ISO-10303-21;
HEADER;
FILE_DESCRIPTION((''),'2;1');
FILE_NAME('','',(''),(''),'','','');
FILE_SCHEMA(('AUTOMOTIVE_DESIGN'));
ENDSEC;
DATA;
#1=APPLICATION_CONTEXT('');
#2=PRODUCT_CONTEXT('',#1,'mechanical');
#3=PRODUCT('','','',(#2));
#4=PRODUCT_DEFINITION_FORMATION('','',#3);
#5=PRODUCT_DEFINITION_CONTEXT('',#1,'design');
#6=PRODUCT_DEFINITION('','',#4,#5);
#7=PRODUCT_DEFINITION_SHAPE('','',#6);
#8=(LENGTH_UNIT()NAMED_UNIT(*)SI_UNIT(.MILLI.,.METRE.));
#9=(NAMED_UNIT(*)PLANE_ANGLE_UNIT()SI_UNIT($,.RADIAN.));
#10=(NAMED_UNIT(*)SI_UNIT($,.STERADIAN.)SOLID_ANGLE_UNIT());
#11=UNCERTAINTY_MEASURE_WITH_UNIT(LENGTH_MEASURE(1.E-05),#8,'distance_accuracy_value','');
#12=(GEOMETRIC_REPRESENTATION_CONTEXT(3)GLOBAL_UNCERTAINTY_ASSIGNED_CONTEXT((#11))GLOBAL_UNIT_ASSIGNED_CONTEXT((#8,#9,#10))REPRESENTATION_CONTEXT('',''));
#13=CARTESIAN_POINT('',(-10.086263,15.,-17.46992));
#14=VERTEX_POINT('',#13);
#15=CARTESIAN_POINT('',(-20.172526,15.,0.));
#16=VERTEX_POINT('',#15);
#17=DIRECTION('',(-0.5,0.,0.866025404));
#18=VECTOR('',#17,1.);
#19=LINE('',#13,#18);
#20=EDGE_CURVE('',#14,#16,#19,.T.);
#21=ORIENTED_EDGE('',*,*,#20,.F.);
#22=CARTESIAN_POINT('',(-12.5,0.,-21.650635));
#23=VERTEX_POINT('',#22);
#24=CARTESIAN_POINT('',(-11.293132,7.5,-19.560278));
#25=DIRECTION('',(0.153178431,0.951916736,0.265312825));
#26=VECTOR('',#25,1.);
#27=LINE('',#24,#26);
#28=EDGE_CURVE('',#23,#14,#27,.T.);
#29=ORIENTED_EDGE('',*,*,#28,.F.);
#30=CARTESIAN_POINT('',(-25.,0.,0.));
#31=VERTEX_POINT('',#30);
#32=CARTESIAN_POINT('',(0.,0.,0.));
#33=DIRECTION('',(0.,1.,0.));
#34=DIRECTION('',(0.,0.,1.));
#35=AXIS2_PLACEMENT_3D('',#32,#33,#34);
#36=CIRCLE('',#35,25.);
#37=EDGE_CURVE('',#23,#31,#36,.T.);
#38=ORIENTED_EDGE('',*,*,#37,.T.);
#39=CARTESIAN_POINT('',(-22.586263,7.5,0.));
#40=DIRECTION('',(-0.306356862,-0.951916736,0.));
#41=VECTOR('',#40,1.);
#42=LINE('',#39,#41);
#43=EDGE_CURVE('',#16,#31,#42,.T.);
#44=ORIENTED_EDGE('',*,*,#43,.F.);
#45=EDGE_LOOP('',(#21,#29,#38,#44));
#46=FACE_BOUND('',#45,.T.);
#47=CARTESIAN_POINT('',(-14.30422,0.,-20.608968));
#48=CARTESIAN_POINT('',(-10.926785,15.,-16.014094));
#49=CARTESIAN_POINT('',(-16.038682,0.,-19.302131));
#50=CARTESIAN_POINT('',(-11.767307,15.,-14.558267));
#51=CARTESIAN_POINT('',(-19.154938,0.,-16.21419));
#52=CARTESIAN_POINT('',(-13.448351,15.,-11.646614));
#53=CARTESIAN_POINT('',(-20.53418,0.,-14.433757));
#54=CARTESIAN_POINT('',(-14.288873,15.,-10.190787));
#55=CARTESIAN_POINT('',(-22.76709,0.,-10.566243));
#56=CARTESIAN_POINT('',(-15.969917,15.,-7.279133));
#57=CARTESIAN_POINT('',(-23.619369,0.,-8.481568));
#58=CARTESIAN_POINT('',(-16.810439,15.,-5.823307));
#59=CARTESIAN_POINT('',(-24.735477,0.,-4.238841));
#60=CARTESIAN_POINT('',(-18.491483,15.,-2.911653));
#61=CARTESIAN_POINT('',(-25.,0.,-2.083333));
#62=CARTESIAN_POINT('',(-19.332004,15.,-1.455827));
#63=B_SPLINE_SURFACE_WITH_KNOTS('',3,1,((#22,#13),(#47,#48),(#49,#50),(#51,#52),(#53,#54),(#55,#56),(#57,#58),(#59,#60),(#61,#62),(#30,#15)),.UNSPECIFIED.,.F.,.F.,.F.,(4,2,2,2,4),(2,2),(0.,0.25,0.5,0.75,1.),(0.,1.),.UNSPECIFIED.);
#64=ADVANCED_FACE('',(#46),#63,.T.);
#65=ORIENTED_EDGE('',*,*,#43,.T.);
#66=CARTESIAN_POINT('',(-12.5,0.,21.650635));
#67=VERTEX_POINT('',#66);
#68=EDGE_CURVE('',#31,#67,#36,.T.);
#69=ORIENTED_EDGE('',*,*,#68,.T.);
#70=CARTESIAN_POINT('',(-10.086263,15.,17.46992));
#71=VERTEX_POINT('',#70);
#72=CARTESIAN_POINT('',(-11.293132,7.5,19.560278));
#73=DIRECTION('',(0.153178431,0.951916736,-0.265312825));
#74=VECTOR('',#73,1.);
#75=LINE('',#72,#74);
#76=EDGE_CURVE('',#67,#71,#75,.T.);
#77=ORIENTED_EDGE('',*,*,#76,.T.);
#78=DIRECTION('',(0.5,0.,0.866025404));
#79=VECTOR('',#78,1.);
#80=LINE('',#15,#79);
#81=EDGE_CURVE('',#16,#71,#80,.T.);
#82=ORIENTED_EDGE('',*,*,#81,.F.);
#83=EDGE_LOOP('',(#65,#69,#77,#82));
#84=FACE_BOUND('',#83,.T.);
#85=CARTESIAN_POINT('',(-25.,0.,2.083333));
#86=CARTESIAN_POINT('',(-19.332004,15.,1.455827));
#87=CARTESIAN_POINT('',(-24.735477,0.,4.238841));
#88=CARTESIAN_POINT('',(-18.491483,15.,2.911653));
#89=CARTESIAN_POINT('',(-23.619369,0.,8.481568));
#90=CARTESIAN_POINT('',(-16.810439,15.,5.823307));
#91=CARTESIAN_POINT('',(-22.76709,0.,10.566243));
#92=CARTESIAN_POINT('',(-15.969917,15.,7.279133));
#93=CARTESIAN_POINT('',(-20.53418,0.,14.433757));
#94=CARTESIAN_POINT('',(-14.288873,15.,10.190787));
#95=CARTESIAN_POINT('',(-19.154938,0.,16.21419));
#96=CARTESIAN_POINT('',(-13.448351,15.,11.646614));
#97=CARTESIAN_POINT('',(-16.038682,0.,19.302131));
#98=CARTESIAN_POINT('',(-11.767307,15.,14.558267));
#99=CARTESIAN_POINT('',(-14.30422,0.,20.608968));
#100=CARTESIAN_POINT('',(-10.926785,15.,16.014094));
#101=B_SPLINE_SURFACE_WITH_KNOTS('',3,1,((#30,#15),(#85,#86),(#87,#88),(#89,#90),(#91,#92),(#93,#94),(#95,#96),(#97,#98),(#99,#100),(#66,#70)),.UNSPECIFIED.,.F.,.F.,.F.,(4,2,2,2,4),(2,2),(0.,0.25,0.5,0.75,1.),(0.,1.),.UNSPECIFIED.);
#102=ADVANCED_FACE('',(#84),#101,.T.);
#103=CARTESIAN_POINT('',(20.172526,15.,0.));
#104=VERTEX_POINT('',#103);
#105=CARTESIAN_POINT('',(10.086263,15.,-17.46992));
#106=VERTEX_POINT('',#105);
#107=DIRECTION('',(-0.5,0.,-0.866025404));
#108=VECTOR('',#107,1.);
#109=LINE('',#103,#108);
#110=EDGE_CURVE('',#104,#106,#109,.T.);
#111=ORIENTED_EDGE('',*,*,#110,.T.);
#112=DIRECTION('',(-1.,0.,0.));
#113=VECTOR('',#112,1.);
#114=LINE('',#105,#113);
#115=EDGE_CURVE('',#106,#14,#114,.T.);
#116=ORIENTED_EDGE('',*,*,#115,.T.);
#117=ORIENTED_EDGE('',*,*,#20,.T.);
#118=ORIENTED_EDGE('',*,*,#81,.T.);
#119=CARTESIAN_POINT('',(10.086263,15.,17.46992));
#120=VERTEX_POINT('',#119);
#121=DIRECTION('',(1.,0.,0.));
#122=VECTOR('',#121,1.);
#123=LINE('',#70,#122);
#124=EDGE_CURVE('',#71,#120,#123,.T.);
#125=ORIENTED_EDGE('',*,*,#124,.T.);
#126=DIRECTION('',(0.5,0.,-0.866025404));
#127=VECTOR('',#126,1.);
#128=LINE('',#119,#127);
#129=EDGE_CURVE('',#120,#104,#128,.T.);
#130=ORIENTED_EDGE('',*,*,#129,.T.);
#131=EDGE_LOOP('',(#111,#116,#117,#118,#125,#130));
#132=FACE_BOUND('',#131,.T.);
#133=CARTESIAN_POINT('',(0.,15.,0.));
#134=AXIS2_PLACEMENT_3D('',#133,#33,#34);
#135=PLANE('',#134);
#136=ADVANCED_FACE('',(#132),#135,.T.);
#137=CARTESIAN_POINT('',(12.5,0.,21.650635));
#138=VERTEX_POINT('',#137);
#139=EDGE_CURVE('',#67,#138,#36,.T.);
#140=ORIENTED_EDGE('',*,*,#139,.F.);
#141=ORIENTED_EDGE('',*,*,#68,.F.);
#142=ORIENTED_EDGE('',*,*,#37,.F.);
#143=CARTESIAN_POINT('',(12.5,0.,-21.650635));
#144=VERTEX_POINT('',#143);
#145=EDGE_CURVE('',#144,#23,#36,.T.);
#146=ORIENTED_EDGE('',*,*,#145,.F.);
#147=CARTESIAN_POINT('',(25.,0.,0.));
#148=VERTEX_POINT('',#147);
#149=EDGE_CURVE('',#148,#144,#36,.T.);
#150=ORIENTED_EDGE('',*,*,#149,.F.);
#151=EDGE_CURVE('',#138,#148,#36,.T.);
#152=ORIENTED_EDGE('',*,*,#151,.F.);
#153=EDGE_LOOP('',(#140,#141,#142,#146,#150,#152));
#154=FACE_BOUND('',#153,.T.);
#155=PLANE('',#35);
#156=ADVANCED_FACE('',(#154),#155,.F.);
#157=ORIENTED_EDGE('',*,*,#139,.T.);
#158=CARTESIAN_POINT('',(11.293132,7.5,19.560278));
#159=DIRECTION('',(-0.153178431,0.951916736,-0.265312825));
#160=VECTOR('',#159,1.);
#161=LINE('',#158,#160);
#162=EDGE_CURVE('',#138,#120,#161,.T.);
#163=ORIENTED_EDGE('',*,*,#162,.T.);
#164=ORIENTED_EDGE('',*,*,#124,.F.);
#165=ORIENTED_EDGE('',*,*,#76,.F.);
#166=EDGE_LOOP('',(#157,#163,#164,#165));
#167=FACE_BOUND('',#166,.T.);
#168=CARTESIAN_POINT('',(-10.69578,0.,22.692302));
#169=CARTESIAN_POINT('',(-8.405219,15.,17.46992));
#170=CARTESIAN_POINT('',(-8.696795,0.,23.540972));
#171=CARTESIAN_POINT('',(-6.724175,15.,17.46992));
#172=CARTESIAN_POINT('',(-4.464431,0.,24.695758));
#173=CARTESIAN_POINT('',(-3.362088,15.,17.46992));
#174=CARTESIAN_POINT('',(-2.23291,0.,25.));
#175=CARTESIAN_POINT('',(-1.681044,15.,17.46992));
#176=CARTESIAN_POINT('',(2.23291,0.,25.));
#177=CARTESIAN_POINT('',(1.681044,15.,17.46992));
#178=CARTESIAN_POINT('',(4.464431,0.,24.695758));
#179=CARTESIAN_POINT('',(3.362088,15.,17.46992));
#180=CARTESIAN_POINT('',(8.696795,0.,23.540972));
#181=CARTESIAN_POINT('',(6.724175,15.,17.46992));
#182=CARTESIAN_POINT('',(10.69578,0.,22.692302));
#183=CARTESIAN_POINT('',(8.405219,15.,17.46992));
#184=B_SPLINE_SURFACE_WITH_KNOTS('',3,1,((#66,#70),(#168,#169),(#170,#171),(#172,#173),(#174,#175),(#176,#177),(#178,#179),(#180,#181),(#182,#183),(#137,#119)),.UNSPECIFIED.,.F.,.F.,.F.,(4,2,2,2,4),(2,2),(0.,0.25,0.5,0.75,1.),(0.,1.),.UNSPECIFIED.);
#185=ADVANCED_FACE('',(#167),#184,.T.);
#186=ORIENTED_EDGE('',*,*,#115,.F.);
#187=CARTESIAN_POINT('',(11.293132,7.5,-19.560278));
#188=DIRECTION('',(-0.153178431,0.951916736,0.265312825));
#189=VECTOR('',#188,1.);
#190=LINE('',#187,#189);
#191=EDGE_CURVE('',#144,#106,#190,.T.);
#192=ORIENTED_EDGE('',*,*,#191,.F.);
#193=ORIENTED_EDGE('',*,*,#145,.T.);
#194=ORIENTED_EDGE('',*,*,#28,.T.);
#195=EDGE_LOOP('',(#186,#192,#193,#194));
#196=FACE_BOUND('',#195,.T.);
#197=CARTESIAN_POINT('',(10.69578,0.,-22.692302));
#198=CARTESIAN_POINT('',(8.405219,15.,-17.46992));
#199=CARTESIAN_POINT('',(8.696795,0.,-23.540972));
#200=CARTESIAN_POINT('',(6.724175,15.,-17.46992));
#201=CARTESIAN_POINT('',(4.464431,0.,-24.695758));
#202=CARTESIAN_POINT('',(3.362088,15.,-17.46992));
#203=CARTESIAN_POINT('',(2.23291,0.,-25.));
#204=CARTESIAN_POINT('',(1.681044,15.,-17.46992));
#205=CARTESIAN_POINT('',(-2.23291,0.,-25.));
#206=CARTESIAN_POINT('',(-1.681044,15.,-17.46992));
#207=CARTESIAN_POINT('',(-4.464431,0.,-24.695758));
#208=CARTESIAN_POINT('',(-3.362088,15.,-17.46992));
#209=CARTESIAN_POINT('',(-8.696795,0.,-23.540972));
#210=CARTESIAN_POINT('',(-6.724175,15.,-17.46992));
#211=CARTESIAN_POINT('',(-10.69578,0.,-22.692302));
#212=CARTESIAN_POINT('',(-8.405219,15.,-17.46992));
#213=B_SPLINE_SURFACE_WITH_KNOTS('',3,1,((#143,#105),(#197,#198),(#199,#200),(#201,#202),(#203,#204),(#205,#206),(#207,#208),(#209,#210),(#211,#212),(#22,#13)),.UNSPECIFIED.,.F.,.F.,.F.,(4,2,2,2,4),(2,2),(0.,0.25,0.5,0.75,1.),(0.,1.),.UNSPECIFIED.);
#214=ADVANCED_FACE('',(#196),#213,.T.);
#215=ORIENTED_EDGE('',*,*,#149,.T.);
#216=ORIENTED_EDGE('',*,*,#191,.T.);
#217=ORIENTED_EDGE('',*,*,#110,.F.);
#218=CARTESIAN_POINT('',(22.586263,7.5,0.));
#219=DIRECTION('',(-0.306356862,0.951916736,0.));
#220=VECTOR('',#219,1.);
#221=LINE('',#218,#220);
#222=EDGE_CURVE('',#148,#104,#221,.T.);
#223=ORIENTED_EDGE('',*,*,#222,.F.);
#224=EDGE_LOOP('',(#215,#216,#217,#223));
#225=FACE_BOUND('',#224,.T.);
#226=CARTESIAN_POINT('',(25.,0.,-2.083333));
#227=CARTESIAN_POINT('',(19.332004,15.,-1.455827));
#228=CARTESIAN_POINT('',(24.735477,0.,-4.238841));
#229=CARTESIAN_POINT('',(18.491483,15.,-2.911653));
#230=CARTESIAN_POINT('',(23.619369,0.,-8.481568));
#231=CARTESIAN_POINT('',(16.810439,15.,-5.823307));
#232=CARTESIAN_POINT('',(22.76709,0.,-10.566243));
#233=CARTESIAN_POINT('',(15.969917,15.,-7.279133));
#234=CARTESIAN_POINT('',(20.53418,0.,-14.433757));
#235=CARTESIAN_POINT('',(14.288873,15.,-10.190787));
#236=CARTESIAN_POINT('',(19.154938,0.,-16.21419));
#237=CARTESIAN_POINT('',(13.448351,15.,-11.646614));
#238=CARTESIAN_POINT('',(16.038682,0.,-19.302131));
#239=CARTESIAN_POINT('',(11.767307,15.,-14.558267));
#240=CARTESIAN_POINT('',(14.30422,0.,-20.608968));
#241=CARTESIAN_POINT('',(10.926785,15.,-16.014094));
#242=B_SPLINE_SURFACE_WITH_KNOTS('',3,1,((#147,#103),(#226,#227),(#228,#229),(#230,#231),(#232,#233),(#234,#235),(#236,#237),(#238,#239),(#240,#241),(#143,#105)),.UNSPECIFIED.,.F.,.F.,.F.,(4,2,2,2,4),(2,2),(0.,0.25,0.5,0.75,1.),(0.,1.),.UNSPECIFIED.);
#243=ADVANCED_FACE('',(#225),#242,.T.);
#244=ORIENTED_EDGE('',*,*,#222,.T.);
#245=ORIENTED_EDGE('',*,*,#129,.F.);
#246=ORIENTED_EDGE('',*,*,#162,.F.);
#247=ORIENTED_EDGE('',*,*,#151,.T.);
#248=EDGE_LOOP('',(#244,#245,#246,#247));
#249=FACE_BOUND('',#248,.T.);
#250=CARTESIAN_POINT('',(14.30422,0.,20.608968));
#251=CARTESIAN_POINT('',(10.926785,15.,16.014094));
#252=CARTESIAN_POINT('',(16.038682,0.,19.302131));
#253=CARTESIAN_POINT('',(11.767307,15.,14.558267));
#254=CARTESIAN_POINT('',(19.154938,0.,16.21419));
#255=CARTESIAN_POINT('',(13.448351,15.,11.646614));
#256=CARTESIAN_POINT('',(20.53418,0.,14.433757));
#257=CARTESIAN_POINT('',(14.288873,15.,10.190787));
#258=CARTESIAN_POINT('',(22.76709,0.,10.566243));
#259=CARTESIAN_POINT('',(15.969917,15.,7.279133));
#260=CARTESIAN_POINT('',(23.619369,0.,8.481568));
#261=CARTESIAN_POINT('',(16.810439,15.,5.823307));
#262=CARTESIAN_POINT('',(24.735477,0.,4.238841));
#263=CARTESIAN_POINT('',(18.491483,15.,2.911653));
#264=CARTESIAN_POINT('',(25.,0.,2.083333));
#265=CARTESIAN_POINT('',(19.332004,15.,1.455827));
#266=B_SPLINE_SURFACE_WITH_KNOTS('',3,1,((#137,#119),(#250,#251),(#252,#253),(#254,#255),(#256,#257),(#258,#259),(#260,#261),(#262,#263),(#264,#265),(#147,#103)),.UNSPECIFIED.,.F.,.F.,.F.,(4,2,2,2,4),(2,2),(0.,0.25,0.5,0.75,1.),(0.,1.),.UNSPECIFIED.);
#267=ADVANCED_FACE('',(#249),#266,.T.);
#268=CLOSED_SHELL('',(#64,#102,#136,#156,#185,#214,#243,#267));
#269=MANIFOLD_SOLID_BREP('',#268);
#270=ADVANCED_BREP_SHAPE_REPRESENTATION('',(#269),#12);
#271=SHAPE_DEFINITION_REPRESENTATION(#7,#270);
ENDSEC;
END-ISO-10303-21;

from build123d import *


with BuildPart() as part:
    # Sketch1 for Loft1 → Loft1 section 0
    with BuildSketch(Plane(origin=(0, 0, 0), x_dir=(1, 0, 0), z_dir=(0, 1, 0))):
        with BuildLine():
            # circular arc as an exact rational Bezier (weights 1, cos(half-angle), 1)
            Bezier((25, 0), (25.000000001, 14.43375673), (12.5, 21.650635095), weights=[1, 0.866025404, 1])
            Bezier((12.5, 21.650635095), (0, 28.867513459), (-12.5, 21.650635095), weights=[1, 0.866025404, 1])
            Bezier((-12.5, 21.650635095), (-25.000000001, 14.43375673), (-25, 0), weights=[1, 0.866025404, 1])
            Bezier((-25, 0), (-25.000000001, -14.43375673), (-12.5, -21.650635095), weights=[1, 0.866025404, 1])
            Bezier((-12.5, -21.650635095), (0, -28.867513459), (12.5, -21.650635095), weights=[1, 0.866025404, 1])
            Bezier((12.5, -21.650635095), (25.000000001, -14.43375673), (25, 0), weights=[1, 0.866025404, 1])
        make_face()
    # Sketch2 → Loft1 section 1
    with BuildSketch(Plane(origin=(0, 15, 0), x_dir=(1, 0, 0), z_dir=(0, 1, 0))):
        Polygon((20.172526377, 0), (10.086263189, 17.469920301), (-10.086263189, 17.469920301), (-20.172526377, 0), (-10.086263189, -17.469920301), (10.086263189, -17.469920301), align=None)
    loft()


solid = part.part
